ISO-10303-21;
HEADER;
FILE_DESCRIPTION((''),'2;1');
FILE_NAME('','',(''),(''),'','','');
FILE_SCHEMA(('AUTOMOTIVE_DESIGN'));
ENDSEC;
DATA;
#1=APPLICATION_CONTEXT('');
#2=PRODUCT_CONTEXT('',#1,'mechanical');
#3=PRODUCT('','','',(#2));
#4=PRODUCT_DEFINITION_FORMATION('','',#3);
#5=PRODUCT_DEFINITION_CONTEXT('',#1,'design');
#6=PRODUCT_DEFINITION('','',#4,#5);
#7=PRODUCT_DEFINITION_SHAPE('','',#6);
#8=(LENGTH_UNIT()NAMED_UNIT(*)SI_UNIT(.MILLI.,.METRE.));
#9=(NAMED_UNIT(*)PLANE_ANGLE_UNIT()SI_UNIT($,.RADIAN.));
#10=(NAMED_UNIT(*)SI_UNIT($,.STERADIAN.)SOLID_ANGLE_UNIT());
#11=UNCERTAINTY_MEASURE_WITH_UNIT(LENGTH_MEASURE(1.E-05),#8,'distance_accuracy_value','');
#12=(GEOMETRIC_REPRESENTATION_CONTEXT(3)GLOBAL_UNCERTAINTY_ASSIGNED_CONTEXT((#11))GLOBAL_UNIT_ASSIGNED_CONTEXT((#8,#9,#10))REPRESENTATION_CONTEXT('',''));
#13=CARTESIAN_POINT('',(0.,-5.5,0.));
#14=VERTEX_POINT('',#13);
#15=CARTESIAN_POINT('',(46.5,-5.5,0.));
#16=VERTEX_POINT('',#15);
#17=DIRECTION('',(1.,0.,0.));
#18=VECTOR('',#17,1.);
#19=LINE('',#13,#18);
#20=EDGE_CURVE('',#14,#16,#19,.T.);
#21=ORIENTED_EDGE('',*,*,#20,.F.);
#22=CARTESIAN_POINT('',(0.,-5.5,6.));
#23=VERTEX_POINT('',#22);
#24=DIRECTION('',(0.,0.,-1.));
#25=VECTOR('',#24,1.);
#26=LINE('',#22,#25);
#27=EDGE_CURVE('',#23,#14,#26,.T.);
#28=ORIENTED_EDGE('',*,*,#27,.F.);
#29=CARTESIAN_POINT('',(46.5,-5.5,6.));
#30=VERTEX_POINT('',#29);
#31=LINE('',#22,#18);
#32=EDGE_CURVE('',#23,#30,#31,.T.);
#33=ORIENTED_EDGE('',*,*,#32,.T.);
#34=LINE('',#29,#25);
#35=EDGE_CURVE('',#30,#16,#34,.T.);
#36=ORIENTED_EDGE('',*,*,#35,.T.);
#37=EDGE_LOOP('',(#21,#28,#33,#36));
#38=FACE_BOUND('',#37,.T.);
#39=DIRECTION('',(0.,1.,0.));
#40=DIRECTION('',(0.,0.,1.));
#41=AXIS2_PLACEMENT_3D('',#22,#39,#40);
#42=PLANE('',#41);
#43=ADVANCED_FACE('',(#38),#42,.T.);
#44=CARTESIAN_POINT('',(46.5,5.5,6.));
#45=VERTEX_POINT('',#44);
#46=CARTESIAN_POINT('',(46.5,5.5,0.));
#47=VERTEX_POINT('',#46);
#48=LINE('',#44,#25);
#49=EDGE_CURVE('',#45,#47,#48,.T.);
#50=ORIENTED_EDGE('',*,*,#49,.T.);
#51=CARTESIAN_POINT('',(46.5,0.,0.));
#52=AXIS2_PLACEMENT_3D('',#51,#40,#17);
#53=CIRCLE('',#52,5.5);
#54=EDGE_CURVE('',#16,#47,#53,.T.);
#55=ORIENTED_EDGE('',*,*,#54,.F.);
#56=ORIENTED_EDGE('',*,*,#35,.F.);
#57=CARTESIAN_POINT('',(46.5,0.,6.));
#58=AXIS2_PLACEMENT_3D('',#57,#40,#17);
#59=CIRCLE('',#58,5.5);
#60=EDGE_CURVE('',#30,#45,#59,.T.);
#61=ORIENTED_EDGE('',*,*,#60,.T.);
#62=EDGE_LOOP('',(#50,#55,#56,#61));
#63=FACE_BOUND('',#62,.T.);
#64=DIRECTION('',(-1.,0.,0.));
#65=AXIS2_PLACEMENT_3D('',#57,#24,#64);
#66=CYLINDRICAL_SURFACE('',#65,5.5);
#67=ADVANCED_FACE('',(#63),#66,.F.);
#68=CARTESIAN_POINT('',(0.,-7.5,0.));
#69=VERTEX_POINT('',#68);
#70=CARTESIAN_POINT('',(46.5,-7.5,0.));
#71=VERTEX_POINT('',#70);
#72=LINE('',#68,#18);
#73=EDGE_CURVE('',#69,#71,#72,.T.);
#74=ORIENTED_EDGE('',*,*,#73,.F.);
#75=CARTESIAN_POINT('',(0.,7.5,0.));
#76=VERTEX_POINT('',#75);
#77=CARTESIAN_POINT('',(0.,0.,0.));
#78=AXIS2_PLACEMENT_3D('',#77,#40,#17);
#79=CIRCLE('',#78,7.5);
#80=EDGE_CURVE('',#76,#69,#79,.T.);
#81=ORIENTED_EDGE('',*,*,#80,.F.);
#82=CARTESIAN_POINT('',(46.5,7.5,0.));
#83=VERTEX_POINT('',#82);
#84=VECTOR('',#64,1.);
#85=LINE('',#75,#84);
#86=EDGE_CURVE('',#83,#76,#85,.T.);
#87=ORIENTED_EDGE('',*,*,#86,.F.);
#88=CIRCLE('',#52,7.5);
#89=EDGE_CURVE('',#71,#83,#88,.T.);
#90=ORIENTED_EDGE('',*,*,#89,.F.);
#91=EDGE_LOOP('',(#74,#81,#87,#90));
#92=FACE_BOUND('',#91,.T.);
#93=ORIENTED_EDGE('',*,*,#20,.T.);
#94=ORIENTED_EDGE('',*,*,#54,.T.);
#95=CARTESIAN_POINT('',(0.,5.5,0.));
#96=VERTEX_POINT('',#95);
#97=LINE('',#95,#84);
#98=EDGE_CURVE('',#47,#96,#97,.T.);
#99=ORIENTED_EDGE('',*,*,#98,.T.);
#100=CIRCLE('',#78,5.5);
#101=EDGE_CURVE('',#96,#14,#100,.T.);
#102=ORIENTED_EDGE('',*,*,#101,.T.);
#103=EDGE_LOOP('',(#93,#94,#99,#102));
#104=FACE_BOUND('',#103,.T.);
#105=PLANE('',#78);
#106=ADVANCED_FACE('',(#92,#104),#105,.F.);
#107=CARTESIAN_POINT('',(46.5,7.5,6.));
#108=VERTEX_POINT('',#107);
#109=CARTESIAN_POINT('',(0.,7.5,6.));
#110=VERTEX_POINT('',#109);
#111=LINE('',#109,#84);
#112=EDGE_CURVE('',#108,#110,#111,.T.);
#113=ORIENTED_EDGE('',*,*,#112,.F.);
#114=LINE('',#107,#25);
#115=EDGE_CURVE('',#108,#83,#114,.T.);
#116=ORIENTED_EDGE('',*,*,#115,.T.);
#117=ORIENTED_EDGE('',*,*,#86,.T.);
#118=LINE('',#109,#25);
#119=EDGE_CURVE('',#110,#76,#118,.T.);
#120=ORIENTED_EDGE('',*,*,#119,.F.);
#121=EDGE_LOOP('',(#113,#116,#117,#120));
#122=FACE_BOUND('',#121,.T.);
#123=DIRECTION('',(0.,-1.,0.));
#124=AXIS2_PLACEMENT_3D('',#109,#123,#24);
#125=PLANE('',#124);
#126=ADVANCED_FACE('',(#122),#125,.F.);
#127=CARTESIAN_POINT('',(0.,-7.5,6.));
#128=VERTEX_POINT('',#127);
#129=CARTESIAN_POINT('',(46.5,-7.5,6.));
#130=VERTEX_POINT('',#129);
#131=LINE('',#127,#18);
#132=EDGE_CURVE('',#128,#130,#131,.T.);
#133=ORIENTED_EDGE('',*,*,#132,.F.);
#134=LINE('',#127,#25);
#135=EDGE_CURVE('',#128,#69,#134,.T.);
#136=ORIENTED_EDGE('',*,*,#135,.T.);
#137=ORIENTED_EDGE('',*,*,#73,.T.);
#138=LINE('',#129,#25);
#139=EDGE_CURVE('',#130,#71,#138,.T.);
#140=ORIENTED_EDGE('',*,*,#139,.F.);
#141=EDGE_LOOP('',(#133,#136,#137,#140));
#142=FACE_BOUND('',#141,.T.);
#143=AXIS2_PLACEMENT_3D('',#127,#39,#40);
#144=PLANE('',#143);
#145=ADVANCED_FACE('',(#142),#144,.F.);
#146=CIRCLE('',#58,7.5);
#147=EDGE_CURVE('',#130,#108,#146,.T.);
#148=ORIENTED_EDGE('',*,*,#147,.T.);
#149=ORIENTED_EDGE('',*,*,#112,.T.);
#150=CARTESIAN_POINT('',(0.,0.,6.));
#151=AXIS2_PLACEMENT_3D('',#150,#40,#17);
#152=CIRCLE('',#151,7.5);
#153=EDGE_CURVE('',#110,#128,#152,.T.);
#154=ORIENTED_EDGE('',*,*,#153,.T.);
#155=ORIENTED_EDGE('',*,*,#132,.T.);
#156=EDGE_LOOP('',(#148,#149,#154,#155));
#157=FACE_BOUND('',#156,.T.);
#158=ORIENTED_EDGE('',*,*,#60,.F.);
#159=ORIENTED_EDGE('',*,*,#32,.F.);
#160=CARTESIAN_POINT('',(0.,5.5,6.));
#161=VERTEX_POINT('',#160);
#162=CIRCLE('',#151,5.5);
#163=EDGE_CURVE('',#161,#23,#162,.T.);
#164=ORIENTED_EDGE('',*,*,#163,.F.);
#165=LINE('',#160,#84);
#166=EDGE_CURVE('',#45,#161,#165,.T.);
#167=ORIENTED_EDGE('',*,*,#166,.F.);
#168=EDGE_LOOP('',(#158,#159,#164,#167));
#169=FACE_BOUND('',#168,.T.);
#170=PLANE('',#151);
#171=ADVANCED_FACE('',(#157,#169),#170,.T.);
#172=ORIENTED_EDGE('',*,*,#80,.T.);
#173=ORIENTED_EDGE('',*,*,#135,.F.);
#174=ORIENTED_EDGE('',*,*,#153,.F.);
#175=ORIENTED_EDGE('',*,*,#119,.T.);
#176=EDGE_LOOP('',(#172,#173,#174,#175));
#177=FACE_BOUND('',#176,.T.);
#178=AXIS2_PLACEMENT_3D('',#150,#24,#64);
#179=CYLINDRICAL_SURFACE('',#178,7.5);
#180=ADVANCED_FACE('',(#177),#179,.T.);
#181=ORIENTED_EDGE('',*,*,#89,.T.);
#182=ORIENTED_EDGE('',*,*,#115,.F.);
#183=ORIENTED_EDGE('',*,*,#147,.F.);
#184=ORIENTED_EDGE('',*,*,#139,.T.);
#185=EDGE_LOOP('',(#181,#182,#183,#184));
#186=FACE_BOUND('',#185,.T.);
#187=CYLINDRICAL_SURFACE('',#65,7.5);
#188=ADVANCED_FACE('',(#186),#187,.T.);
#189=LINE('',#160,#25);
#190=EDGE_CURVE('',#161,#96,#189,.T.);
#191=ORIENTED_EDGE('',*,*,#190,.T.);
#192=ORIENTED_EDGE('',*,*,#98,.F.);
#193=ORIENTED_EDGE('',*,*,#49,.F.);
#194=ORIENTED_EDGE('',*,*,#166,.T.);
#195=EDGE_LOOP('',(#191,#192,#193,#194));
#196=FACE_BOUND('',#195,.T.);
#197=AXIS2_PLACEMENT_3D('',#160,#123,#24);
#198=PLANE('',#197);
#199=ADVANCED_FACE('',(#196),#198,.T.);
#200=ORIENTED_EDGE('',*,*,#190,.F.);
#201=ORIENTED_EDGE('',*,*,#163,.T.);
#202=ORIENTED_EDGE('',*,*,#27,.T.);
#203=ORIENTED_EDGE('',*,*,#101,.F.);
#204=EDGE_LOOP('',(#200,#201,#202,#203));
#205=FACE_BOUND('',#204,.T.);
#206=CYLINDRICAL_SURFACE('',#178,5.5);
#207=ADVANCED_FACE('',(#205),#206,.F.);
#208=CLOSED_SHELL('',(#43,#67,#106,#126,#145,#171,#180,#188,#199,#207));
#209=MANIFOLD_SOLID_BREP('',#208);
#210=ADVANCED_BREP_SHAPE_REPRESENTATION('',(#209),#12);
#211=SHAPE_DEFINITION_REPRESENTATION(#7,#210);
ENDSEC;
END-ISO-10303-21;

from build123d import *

# Parameters (mm, degrees)
EXTRUDE_1_DEPTH = 6


with BuildPart() as part:
    # 草图1 → 凸台-拉伸1 (new body)
    with BuildSketch(Plane.XY):
        with BuildLine():
            Line((0, 7.5), (46.5, 7.5))
            ThreePointArc((46.5, 7.5), (54, 0), (46.5, -7.5))
            Line((46.5, -7.5), (0, -7.5))
            ThreePointArc((0, -7.5), (-7.5, 0), (0, 7.5))
        make_face()
        with BuildLine():
            Line((0, 5.5), (46.5, 5.5))
            ThreePointArc((46.5, 5.5), (52, 0), (46.5, -5.5))
            Line((46.5, -5.5), (0, -5.5))
            ThreePointArc((0, -5.5), (-5.5, 0), (0, 5.5))
        make_face(mode=Mode.SUBTRACT)
    extrude(amount=EXTRUDE_1_DEPTH)


solid = part.part
